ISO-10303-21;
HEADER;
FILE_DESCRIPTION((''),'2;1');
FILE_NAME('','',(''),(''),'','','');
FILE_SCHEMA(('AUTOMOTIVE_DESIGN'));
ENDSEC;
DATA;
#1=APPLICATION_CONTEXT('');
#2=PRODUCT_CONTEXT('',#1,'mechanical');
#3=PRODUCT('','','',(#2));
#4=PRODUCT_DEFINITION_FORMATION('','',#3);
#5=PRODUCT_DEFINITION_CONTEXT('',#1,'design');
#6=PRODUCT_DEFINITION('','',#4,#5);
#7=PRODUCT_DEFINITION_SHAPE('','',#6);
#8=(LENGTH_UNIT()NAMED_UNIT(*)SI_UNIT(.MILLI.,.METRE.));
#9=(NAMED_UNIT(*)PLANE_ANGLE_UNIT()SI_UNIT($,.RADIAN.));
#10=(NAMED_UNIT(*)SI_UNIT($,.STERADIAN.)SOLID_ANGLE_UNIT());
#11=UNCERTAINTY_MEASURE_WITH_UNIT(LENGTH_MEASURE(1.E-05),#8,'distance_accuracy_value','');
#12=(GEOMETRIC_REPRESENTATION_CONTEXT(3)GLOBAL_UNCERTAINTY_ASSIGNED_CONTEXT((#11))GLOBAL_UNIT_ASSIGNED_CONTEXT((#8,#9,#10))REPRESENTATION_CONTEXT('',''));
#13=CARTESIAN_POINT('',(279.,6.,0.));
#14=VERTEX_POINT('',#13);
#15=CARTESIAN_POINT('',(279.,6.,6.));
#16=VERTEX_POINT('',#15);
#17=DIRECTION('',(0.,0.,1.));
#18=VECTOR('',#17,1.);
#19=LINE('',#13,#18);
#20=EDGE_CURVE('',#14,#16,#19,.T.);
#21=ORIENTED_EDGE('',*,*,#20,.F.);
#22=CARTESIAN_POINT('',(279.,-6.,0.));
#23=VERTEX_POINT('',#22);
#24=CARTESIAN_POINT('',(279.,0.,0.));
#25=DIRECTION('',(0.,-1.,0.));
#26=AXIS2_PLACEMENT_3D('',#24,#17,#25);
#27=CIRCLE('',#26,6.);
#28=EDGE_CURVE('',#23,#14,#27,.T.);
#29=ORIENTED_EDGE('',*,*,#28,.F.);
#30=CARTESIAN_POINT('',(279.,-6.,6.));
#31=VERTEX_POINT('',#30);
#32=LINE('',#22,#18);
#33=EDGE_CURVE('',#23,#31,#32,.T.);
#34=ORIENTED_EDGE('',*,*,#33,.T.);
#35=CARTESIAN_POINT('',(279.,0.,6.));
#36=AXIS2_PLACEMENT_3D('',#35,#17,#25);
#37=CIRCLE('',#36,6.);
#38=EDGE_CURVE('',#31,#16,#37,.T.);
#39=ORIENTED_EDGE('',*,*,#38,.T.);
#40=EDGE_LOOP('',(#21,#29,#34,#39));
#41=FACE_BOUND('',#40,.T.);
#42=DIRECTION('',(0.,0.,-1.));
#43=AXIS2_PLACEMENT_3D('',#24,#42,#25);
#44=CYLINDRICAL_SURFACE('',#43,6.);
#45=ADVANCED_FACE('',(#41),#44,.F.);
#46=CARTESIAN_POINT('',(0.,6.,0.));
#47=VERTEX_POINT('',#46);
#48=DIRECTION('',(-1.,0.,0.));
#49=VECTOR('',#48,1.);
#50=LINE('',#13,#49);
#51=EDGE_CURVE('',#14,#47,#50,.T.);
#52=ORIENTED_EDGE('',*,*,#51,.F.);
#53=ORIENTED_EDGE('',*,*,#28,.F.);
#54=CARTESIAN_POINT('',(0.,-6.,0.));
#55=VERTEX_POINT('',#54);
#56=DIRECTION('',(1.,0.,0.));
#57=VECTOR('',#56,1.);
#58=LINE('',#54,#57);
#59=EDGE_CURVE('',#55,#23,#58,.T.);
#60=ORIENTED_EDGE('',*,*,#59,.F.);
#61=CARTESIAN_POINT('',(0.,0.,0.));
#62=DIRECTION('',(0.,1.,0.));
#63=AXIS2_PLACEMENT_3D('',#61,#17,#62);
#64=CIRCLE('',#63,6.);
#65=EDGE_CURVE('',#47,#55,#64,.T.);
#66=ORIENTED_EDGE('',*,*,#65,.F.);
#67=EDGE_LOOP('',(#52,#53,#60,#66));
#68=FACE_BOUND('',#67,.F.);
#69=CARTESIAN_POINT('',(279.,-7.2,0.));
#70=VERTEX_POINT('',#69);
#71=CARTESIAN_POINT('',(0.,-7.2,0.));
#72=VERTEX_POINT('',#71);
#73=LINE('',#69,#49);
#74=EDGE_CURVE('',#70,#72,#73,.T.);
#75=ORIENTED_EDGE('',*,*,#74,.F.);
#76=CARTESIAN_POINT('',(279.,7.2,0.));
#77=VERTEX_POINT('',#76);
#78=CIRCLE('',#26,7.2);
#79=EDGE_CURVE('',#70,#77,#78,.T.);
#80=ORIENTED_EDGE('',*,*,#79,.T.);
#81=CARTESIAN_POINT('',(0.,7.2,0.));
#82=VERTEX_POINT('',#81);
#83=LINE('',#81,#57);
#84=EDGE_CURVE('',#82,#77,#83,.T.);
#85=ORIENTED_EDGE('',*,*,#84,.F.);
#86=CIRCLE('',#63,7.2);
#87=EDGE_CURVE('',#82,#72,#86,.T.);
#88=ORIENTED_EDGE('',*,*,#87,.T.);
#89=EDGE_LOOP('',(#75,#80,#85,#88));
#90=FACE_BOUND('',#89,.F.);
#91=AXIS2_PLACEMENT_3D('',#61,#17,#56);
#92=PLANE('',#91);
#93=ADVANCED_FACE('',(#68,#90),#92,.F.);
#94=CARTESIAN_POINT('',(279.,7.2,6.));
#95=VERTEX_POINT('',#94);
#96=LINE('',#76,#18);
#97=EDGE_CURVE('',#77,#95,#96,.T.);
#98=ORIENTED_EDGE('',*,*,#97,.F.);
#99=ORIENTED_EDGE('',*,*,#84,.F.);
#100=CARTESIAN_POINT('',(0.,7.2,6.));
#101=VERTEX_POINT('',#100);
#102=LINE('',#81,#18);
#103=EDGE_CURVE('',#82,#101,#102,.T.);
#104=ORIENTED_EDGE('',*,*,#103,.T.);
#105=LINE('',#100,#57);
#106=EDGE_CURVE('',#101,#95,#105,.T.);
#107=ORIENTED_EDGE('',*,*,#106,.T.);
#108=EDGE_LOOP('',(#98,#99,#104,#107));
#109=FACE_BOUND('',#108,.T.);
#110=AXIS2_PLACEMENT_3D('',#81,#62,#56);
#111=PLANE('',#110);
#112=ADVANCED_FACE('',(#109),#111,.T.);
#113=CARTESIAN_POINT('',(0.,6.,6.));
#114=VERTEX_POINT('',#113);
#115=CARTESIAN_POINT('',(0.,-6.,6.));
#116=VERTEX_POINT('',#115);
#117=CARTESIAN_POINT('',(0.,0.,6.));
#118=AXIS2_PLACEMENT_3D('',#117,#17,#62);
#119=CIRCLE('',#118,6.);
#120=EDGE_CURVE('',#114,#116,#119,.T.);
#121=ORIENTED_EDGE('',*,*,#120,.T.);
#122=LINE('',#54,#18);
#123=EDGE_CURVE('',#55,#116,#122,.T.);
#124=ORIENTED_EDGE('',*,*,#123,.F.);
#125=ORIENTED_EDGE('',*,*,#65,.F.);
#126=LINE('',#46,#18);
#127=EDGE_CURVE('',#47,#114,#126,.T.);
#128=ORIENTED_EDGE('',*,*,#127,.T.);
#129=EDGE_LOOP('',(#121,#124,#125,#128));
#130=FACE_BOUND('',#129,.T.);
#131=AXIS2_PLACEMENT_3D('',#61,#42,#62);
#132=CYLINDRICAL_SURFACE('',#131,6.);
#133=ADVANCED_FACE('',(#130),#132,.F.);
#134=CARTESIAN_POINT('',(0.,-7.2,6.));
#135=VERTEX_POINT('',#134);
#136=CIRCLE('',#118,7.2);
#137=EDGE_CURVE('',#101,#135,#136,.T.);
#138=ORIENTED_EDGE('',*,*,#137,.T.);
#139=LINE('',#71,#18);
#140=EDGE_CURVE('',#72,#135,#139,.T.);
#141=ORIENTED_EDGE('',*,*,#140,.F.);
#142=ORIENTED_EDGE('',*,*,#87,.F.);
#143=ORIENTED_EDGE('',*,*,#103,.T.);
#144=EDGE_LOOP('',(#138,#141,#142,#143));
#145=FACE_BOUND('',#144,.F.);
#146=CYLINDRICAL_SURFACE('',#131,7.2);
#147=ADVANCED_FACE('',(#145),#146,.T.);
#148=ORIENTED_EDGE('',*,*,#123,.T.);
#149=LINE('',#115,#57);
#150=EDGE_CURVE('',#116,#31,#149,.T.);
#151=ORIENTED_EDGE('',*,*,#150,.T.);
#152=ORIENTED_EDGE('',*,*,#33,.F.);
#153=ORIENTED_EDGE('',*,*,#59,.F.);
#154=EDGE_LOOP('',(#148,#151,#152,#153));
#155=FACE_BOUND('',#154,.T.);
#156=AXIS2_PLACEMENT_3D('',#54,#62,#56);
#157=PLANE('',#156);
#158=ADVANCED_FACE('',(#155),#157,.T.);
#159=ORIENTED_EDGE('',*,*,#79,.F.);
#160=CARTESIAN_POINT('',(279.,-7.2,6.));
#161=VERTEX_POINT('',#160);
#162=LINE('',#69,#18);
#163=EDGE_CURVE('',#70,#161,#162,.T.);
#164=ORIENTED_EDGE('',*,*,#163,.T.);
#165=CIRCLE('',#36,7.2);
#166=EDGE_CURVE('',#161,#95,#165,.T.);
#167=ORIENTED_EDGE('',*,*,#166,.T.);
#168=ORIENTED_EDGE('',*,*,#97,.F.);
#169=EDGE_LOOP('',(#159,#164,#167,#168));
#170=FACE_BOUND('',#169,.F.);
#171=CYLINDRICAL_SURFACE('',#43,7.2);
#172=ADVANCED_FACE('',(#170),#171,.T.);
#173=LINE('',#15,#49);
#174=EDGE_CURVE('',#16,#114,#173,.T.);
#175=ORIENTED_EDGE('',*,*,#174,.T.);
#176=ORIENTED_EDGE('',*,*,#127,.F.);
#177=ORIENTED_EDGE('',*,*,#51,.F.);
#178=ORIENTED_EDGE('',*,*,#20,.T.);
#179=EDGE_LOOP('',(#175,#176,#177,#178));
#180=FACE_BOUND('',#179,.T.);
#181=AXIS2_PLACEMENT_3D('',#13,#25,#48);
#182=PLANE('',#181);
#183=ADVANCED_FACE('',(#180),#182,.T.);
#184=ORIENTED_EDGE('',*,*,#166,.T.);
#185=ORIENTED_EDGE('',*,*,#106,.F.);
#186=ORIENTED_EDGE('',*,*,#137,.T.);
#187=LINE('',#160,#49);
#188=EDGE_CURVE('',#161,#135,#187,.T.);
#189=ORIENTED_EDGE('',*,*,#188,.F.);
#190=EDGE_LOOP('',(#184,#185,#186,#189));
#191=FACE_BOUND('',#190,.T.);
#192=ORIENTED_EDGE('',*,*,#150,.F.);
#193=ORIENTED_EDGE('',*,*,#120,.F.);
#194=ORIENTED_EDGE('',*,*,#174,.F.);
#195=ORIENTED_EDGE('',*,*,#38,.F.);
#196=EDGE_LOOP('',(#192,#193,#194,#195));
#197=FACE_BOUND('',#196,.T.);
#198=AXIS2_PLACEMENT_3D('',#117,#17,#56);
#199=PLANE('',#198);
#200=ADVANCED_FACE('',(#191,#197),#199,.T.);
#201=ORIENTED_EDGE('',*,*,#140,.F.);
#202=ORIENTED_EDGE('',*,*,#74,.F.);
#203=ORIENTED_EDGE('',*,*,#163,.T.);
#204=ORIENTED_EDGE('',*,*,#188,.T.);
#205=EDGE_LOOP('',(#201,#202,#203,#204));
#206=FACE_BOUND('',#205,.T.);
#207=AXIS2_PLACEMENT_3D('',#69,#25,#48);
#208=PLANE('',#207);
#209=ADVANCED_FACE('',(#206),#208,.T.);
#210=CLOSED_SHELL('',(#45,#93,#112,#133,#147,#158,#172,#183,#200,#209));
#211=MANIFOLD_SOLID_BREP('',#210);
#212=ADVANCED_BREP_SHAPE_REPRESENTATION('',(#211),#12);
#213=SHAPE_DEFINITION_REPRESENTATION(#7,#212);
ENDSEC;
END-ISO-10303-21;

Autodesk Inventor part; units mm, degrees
ref_plane "YZ Plane" through (0, 0, 0) normal (1, 0, 0) x (0, 1, 0)
ref_plane "XZ Plane" through (0, 0, 0) normal (0, 1, 0) x (-1, 0, 0)
ref_plane "XY Plane" through (0, 0, 0) normal (0, 0, 1) x (1, 0, 0)
sketch "Sketch1" plane through (0, 0, 0) normal (0, 0, 1) x (1, 0, 0)
  arc A0 (0, 6) -> (0, -6) centre (0, 0) ccw
  arc A1 (279, -6) -> (279, 6) centre (279, 0) ccw
  line L0 (0, -6) -> (279, -6)
  line L1 (279, 6) -> (0, 6)
  line L2 (0, 7.2) -> (279, 7.2)
  arc A2 (279, -7.2) -> (279, 7.2) centre (279, 0) ccw
  line L3 (279, -7.2) -> (0, -7.2)
  arc A3 (0, 7.2) -> (0, -7.2) centre (0, 0) ccw
  dimension "d0" = 12
  dimension "d2" = 12
  dimension "d3" = 279
  dimension "d4" = 1.2
extrude "Extrusion1" add sketch "Sketch1" along normal blind 6
properties part number "gt2Belt600"
